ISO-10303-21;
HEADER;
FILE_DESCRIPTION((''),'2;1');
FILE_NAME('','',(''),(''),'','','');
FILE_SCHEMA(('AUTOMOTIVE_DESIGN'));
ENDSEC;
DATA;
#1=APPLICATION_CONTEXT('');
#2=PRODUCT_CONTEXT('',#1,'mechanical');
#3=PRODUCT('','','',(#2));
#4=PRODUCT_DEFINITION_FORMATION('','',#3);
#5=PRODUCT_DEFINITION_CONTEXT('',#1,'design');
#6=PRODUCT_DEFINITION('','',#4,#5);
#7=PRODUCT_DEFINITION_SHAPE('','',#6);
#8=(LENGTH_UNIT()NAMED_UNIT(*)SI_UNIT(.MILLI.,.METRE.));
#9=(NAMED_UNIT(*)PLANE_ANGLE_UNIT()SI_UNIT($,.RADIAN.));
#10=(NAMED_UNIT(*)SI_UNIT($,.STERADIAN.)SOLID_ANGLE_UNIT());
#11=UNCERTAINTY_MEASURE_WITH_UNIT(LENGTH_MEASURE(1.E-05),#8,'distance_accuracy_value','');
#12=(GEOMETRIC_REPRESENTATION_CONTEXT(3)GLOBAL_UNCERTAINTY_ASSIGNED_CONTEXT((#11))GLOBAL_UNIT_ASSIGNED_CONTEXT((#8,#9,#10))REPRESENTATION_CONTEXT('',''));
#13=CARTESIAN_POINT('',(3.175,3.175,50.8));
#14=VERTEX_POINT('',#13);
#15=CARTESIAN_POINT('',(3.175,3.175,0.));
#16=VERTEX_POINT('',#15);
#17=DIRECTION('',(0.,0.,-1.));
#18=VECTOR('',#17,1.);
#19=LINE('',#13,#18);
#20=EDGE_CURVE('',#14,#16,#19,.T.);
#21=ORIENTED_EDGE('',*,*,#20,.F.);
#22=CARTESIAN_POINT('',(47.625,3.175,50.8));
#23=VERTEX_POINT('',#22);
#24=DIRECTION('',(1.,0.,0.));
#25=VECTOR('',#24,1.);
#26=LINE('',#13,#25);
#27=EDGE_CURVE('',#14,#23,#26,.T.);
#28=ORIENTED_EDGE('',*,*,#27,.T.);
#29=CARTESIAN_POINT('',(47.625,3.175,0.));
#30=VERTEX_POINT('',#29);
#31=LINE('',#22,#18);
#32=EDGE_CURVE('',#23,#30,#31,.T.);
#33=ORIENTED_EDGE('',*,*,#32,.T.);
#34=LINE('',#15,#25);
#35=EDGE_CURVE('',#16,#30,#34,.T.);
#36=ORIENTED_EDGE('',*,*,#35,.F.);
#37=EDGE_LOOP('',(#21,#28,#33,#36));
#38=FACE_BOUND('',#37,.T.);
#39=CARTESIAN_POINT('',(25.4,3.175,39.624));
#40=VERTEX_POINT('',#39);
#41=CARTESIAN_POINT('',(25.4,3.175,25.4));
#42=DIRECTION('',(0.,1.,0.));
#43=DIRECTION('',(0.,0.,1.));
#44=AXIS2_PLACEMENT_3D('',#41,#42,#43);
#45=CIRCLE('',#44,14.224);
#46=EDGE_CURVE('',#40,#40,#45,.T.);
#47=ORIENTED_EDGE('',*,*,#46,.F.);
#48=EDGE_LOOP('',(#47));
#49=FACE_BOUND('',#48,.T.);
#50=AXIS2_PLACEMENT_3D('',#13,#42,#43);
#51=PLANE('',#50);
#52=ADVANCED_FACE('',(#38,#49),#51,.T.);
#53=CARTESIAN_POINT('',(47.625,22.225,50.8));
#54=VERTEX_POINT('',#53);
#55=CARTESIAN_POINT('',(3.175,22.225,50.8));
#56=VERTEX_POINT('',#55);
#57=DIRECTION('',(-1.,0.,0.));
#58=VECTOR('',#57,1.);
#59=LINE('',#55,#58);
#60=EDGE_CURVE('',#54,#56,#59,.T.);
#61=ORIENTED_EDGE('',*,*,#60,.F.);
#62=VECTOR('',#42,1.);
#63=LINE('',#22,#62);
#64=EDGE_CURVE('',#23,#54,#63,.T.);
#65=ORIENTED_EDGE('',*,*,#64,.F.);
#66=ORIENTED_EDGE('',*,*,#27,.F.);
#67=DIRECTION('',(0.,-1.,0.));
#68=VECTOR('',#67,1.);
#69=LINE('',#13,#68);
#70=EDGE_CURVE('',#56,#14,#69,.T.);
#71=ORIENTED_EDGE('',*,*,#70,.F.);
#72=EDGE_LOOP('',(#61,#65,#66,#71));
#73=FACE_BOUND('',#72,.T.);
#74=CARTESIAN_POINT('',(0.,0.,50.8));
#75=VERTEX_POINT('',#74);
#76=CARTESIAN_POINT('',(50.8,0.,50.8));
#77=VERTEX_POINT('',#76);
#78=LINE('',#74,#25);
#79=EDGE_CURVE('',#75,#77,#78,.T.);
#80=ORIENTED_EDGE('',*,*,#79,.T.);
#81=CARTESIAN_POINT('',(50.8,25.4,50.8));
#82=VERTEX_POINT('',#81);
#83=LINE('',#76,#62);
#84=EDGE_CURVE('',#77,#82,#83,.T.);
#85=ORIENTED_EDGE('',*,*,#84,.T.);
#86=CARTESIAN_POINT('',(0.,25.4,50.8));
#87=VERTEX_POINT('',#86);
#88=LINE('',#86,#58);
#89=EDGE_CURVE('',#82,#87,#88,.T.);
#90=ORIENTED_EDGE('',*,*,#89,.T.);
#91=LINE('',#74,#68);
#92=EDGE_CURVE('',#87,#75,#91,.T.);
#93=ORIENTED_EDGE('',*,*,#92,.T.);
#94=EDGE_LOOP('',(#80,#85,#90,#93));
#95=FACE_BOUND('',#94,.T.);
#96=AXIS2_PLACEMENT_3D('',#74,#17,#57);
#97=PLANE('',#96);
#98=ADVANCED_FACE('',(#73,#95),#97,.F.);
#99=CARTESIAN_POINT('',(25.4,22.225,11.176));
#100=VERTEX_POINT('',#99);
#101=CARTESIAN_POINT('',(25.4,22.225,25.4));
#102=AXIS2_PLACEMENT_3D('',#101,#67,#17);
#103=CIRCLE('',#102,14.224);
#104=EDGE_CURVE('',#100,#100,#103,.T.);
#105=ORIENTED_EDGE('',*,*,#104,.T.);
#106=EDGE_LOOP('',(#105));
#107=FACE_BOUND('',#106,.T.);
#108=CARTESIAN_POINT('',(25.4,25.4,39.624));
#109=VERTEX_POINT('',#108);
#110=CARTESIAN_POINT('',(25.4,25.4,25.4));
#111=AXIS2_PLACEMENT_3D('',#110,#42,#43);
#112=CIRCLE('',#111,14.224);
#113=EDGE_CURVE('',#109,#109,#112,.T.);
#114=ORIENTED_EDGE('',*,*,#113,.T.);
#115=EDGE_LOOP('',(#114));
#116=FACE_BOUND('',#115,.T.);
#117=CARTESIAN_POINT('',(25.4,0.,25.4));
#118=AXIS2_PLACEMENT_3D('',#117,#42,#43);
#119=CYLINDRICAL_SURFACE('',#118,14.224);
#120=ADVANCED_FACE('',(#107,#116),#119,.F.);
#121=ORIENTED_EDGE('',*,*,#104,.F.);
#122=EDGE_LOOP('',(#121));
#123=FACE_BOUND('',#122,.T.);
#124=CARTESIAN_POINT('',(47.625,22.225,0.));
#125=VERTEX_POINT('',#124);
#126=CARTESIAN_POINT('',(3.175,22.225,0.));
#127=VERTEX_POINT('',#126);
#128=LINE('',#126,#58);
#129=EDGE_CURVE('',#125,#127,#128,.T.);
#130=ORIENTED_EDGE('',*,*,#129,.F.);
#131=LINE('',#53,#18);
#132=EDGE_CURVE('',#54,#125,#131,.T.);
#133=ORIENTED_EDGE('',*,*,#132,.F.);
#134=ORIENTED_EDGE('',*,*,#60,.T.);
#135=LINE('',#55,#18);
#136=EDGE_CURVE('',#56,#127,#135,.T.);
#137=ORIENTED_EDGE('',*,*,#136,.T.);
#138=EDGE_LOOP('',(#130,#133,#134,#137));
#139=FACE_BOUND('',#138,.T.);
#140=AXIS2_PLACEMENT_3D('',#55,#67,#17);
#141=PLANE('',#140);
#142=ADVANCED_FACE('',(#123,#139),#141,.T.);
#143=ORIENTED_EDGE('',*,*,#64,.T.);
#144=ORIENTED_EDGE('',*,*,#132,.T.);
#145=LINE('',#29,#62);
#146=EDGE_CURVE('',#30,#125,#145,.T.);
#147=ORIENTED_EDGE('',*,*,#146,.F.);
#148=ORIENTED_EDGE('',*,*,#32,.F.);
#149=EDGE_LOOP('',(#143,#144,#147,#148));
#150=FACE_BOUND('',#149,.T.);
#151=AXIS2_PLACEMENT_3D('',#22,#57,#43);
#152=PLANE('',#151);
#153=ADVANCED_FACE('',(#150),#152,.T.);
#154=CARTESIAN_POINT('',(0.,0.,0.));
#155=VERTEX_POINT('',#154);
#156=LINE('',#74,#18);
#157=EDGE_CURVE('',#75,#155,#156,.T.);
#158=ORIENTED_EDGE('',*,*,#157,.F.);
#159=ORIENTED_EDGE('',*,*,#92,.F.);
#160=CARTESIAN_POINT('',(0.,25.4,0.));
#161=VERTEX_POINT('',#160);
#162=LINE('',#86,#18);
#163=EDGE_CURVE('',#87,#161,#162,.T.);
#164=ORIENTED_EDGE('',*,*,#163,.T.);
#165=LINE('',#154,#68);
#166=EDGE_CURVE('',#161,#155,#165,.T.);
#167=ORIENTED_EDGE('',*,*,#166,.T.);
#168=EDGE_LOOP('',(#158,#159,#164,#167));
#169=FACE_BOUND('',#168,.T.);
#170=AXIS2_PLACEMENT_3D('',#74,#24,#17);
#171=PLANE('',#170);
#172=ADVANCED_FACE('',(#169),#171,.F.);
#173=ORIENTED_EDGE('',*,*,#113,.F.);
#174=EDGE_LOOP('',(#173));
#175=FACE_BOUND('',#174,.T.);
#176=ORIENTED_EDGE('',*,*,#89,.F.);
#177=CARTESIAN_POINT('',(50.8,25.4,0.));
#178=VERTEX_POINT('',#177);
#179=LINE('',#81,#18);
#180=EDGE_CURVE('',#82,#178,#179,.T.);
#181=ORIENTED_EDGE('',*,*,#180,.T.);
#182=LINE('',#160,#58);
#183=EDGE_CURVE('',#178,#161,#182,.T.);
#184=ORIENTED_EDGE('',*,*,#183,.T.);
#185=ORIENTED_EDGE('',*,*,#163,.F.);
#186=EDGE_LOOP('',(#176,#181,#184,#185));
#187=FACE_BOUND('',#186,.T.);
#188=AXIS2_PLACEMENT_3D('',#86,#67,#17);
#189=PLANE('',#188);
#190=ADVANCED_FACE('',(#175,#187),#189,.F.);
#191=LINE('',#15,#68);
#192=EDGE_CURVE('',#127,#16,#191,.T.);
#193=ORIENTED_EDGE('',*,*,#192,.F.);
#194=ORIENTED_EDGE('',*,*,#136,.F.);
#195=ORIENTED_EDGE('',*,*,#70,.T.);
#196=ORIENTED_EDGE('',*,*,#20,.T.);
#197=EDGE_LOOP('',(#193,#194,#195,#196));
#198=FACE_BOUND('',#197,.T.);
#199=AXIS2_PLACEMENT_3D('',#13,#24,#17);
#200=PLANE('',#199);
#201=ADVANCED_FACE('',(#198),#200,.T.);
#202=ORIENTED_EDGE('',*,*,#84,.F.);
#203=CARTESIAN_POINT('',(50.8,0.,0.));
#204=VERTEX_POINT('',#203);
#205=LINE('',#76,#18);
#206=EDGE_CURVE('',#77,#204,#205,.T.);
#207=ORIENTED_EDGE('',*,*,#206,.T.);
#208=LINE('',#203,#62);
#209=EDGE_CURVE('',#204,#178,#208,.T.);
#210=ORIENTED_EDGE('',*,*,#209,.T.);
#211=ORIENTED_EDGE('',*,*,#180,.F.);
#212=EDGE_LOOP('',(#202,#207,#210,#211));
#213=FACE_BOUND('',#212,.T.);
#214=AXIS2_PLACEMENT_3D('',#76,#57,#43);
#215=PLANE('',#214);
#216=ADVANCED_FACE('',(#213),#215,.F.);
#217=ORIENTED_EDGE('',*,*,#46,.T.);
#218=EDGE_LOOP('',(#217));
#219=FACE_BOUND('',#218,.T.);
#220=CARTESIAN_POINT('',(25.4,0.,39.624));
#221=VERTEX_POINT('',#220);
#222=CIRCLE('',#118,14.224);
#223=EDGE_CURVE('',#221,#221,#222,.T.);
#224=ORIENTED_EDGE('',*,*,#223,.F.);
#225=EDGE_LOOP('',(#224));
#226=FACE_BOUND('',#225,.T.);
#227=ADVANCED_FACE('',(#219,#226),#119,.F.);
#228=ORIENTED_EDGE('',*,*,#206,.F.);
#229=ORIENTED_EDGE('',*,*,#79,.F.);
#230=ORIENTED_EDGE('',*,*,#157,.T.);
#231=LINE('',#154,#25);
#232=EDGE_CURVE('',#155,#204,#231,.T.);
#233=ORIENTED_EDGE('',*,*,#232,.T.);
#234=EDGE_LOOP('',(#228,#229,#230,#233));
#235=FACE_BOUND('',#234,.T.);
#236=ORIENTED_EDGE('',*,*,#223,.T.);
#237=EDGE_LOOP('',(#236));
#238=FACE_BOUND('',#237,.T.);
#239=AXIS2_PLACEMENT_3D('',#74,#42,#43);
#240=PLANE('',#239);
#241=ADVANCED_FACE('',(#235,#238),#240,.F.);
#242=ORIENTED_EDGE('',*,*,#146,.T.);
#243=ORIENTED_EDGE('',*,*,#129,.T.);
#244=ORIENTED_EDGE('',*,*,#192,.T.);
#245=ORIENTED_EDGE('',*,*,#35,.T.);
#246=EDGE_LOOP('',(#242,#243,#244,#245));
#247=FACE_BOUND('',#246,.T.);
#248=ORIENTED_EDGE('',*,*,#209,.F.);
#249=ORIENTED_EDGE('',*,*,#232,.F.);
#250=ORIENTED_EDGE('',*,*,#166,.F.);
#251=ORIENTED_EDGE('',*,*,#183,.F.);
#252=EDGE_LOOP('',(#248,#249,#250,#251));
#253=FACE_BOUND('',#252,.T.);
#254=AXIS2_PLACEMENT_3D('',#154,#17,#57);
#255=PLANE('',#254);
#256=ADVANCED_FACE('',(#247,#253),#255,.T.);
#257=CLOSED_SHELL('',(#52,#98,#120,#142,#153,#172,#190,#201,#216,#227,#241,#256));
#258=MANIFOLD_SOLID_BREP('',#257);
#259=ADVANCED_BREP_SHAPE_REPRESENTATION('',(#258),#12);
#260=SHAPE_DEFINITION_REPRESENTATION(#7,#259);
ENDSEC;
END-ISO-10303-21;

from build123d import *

# Parameters (mm, degrees)
SKETCH1_W           = 50.8
SKETCH1_H           = 25.4
SKETCH1_W_2         = 44.45
SKETCH1_H_2         = 19.05
BOSS_EXTRUDE1_DEPTH = 50.8
SKETCH2_R           = 14.224
CUT_EXTRUDE1_DEPTH  = 77.2


with BuildPart() as part:
    # Sketch1 → Boss-Extrude1 (new body)
    with BuildSketch(Plane.XY):
        with Locations((25.4, 12.7)):
            Rectangle(SKETCH1_W, SKETCH1_H)
        with Locations((25.4, 12.7)):
            Rectangle(SKETCH1_W_2, SKETCH1_H_2, mode=Mode.SUBTRACT)
    extrude(amount=BOSS_EXTRUDE1_DEPTH)

    # Sketch2 → Cut-Extrude1 (cut, through all)
    with BuildSketch(Plane(origin=(0, 25.4, 0), x_dir=(1, 0, 0), z_dir=(0, 1, 0))):
        with Locations(Location((25.4, -25.4, 0), (0, 0, 270))):
            Circle(SKETCH2_R)
    extrude(amount=-CUT_EXTRUDE1_DEPTH, mode=Mode.SUBTRACT)


solid = part.part
